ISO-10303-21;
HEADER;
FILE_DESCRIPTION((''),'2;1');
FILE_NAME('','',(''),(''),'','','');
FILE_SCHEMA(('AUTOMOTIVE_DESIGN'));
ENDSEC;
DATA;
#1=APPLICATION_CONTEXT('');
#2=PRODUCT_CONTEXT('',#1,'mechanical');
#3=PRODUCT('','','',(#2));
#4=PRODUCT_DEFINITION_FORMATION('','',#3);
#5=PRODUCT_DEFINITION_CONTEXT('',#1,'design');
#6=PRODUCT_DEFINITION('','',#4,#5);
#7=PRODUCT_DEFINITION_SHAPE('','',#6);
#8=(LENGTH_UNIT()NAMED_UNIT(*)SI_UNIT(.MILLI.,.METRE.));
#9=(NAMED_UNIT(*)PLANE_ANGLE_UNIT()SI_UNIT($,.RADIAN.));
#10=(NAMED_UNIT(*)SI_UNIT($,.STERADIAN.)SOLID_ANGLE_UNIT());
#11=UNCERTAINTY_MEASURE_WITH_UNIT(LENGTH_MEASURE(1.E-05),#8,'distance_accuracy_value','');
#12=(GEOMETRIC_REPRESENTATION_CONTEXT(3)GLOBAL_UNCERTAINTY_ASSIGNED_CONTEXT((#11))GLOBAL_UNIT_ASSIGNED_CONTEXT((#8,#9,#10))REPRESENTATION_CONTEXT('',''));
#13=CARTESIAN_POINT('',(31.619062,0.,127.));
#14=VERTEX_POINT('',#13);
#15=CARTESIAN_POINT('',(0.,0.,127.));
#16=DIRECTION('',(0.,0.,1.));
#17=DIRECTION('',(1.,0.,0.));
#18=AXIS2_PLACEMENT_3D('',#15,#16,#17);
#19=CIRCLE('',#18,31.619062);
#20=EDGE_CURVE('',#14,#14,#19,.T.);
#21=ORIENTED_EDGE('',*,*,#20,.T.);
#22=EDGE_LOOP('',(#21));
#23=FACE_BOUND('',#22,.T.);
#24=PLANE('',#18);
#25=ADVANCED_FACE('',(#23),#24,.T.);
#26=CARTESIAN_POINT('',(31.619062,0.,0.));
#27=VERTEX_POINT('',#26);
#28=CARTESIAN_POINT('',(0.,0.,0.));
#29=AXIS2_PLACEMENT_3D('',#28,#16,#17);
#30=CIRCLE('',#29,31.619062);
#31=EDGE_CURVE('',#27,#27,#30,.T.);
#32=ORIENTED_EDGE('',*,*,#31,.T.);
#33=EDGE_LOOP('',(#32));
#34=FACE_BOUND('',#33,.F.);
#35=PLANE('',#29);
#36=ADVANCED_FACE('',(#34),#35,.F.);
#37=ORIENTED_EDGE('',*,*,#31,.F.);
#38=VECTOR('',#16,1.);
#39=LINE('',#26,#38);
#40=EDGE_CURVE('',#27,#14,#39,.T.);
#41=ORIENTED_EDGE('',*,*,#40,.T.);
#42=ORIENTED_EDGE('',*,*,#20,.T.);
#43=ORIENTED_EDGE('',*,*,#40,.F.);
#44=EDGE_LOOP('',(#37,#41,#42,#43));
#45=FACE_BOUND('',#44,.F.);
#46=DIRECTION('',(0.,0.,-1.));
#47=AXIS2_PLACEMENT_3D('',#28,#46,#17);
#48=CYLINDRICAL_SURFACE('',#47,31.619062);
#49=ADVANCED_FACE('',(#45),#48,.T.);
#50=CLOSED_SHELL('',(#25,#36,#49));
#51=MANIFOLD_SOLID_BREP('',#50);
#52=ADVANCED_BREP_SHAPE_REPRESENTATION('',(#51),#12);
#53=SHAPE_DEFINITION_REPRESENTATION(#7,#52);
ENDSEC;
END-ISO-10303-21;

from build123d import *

# Parameters (mm, degrees)
F1_R     = 31.619062
F2_DEPTH = 127
F0_R     = 26.272164
F3_DEPTH = 120.65


with BuildPart() as f2:
    # F1 (on Top) → F2 (new body)
    with BuildSketch(Plane.XY):
        Circle(F1_R)
    extrude(amount=F2_DEPTH)

    # F0 (on Top) → F3 (cut)
    with BuildSketch(Plane.XY):
        Circle(F0_R)
    extrude(amount=-F3_DEPTH, mode=Mode.SUBTRACT)


solid = f2.part
